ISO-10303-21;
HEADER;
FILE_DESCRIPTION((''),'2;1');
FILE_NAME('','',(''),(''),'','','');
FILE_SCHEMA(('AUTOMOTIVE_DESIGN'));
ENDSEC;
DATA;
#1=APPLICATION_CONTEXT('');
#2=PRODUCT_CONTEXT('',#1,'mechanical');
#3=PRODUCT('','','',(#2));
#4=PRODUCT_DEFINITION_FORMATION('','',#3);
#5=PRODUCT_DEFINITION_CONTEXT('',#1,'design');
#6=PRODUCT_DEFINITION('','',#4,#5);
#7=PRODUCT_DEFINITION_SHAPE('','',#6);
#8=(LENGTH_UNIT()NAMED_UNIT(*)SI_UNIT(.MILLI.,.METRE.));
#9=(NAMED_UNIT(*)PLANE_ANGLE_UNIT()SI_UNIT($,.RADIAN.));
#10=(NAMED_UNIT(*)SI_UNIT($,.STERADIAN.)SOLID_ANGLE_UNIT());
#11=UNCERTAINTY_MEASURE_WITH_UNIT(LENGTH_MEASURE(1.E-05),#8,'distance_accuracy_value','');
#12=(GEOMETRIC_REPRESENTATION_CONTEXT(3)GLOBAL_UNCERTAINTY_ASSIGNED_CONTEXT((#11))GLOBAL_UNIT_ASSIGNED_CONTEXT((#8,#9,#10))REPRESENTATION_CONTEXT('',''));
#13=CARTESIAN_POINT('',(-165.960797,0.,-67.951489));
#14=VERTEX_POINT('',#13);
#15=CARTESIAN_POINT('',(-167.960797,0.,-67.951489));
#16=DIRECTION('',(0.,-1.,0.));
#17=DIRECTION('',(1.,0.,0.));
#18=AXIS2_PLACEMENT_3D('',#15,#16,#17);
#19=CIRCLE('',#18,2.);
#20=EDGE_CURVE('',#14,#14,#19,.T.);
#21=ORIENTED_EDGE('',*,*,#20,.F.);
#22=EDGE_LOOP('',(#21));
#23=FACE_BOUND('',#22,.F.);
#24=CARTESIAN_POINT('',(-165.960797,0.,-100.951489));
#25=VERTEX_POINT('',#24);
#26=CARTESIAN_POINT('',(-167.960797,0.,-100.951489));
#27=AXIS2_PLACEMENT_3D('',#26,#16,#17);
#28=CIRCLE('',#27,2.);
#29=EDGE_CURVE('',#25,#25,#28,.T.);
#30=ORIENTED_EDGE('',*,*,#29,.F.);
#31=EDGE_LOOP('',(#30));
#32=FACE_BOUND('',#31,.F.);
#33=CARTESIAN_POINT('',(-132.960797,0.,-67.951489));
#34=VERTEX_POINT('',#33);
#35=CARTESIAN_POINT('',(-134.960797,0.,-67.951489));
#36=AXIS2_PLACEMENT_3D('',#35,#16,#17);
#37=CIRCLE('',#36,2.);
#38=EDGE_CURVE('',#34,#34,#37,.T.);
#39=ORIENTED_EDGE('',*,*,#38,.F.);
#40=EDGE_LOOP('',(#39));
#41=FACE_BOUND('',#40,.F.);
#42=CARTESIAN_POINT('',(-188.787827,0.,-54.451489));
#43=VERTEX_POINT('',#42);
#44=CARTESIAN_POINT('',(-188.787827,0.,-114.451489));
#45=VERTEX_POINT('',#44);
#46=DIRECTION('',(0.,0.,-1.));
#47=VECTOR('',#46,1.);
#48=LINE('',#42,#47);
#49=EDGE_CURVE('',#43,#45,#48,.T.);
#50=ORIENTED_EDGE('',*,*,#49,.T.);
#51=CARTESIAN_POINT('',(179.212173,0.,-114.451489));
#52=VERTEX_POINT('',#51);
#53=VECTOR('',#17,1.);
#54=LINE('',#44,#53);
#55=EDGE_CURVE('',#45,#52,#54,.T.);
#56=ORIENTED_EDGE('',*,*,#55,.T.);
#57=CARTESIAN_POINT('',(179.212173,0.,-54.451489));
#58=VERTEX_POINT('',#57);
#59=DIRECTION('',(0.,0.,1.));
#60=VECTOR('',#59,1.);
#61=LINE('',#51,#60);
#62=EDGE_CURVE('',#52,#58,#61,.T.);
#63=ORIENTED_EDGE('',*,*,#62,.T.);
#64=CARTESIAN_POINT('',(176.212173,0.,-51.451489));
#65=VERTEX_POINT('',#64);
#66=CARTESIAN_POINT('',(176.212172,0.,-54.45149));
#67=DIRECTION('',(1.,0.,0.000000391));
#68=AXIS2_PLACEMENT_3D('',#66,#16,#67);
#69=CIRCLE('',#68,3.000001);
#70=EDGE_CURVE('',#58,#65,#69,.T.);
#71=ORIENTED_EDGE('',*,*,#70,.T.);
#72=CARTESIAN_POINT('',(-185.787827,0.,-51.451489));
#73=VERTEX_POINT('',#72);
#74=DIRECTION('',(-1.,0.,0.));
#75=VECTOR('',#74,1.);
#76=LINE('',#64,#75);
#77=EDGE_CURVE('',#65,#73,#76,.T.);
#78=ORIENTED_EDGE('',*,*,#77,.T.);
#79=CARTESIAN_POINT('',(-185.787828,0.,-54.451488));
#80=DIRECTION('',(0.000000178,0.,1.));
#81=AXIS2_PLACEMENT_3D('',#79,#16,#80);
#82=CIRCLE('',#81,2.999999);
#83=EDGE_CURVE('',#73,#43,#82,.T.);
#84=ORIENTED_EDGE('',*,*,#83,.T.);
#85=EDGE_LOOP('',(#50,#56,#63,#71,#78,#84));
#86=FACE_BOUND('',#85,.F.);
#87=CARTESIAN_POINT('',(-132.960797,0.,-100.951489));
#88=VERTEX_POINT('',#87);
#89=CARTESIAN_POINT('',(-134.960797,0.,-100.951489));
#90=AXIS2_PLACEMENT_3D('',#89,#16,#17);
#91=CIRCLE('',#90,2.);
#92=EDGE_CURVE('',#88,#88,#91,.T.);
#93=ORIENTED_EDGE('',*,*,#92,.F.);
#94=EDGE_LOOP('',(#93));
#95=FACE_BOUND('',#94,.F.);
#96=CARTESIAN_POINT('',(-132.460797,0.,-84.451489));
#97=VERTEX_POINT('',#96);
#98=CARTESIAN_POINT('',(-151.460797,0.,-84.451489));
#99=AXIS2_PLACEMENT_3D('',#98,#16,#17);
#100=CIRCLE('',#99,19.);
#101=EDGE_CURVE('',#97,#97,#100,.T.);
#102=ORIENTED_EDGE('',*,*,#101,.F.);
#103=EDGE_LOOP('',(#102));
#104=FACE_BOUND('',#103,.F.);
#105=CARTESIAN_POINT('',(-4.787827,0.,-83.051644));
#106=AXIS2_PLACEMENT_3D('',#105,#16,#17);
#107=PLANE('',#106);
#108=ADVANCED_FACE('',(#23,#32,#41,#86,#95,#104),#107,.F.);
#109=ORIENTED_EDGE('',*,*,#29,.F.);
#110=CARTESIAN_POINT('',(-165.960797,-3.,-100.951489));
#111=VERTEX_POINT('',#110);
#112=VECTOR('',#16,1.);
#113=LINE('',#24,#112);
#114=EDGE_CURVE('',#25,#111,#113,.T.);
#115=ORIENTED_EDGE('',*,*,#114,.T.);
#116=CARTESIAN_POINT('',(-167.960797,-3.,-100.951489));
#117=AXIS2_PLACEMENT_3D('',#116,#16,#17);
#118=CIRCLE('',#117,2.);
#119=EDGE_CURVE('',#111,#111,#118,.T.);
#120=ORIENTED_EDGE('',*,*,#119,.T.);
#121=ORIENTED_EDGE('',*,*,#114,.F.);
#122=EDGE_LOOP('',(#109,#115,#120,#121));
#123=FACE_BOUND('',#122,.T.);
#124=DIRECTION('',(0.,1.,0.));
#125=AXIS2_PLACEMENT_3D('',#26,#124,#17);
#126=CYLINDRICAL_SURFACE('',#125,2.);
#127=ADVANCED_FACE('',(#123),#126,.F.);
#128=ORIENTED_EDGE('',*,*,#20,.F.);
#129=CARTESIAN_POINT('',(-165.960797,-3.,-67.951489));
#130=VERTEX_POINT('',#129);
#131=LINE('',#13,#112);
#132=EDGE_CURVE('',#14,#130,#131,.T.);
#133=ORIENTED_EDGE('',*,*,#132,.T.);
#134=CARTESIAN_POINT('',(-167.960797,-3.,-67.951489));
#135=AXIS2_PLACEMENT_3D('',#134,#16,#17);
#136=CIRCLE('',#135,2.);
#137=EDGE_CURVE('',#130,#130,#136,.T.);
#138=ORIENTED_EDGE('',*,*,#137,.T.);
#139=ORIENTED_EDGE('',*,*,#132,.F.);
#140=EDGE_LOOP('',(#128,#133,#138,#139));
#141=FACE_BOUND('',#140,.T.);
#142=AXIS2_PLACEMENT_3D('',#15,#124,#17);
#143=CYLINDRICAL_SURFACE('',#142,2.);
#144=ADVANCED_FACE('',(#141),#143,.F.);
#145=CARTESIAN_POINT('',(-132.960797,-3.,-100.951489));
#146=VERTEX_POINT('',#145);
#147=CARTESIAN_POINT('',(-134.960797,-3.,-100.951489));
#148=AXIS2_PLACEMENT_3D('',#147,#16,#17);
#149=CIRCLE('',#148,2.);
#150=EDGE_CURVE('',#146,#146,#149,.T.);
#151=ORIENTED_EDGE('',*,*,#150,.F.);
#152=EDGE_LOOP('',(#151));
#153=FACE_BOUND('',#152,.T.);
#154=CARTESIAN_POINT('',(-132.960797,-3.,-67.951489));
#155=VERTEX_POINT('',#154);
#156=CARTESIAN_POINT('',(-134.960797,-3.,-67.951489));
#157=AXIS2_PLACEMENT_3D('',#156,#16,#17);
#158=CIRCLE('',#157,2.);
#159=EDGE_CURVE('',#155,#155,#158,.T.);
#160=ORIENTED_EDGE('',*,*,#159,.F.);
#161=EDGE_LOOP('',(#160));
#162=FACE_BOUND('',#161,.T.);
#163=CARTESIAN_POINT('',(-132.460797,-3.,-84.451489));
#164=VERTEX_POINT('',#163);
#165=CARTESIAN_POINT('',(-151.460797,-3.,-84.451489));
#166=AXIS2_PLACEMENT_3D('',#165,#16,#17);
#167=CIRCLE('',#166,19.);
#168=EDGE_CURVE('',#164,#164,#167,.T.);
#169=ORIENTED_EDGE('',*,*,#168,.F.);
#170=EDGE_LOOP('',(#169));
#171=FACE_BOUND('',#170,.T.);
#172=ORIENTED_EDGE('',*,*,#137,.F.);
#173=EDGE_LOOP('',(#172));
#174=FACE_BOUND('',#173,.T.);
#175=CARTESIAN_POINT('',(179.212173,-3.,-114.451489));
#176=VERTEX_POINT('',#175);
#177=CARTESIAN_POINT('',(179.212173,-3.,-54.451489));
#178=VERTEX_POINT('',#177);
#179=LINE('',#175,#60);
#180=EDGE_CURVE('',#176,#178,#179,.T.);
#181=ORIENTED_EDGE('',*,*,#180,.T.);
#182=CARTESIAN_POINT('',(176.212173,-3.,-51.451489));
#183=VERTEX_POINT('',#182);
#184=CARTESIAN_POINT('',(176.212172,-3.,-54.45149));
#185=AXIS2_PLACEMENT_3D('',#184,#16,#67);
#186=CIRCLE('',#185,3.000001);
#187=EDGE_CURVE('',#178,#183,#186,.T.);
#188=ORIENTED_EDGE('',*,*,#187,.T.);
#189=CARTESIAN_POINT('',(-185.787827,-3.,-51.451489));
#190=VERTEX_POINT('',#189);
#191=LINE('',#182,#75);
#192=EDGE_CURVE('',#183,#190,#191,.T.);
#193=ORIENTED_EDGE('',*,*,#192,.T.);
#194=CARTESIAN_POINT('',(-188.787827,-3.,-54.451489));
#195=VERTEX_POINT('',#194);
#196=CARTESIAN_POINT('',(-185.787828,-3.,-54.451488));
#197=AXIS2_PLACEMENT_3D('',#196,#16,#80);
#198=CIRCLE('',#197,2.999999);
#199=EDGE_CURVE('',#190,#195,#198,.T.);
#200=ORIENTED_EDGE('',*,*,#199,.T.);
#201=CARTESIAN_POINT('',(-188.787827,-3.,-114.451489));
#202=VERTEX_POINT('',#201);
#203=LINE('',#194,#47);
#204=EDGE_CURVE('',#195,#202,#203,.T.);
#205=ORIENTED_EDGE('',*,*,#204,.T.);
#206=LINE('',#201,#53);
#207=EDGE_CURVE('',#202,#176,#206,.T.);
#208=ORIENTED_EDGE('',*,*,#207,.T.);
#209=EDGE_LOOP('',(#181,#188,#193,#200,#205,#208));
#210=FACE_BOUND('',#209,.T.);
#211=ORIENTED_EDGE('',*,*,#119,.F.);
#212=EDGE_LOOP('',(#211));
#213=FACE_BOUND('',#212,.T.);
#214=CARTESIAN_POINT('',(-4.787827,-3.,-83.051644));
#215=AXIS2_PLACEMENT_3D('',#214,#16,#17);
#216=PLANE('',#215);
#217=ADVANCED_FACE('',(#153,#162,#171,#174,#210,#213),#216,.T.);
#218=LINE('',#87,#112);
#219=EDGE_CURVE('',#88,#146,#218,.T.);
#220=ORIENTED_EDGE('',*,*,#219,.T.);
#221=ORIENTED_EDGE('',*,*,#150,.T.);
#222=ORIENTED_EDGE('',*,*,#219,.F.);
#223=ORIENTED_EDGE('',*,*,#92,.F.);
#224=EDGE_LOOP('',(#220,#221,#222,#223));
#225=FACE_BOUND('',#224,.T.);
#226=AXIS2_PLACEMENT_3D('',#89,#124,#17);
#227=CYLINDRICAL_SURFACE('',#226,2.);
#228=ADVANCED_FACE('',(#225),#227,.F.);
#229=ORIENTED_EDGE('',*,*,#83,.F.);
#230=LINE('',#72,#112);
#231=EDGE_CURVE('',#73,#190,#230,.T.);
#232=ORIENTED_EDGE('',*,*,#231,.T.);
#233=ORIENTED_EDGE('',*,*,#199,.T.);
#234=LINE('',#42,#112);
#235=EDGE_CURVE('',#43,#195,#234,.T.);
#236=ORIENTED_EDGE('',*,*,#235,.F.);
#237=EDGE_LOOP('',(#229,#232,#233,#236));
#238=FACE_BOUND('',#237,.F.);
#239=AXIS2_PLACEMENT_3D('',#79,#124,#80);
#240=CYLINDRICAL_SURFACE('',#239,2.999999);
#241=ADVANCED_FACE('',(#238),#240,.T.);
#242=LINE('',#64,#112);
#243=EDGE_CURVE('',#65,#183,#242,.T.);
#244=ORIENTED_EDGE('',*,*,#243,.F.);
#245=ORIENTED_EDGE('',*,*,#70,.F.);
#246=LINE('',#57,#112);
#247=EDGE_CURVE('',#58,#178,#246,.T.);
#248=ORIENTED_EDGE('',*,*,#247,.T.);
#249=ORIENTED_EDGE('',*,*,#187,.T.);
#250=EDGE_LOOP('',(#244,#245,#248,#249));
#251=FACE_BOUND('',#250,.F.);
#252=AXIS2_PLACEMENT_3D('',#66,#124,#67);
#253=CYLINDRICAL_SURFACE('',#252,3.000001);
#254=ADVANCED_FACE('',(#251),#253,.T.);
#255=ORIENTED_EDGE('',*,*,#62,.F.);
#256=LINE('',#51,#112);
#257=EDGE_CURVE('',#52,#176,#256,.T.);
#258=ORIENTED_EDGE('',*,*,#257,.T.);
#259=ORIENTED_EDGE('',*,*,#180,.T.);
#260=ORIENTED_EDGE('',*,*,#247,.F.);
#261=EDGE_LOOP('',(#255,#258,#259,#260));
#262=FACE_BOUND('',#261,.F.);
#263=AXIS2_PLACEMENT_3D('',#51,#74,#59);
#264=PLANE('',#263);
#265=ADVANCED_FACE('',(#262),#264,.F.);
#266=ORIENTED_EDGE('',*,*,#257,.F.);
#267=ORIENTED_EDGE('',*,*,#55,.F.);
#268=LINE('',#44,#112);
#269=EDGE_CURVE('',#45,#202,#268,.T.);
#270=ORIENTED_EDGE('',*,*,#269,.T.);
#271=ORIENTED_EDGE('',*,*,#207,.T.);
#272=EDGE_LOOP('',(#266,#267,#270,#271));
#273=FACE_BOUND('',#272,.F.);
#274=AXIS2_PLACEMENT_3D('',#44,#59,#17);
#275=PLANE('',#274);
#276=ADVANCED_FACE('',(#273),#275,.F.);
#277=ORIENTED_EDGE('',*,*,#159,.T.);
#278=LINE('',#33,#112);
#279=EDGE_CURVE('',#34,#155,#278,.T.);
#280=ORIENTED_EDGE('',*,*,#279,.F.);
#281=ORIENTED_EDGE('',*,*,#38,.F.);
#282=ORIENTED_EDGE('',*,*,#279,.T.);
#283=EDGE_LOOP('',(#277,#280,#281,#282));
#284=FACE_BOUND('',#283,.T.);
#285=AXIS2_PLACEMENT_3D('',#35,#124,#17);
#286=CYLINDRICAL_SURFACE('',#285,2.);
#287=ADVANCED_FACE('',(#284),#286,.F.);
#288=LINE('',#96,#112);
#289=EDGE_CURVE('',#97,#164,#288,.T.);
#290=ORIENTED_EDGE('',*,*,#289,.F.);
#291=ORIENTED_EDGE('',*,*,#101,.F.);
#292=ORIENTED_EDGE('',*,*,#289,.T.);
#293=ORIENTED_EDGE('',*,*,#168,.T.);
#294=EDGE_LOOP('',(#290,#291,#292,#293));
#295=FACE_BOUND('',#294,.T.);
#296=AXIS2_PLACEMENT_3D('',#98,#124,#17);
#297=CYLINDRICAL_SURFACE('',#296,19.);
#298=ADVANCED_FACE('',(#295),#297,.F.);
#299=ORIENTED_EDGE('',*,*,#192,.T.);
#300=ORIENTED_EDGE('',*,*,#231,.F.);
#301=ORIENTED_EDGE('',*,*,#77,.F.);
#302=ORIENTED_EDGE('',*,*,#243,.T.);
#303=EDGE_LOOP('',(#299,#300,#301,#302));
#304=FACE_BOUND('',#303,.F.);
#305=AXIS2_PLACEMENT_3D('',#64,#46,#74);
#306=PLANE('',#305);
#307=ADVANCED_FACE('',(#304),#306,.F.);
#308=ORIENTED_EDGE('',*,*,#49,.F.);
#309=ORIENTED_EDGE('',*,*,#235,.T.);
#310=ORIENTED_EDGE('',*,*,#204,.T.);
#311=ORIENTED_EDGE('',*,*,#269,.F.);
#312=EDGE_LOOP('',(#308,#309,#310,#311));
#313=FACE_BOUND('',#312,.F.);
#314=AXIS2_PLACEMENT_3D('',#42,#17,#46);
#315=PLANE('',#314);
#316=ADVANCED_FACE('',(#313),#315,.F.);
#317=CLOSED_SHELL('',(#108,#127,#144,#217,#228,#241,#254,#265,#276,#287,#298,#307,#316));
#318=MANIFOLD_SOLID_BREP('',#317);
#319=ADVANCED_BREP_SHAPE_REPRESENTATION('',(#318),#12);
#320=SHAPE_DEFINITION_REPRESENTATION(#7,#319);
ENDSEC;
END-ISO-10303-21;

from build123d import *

# Parameters (mm, degrees)
F0_R     = 2
F0_R_2   = 19
F1_DEPTH = 3


with BuildPart() as f1:
    # F0 (on Front) → F1 (new body)
    with BuildSketch(Plane.XZ):
        with BuildLine():
            Line((176.212173, -51.451489), (-185.787827, -51.451489))
            ThreePointArc((-185.787827, -51.451489), (-187.909148, -52.330169), (-188.787827, -54.451489))
            Line((-188.787827, -54.451489), (-188.787827, -114.451489))
            Line((-188.787827, -114.451489), (179.212173, -114.451489))
            Line((179.212173, -114.451489), (179.212173, -54.451489))
            ThreePointArc((179.212173, -54.451489), (178.333493, -52.330169), (176.212173, -51.451489))
        make_face()
        with Locations((-167.960797, -100.951489)):
            Circle(F0_R, mode=Mode.SUBTRACT)
        with Locations((-134.960797, -100.951489)):
            Circle(F0_R, mode=Mode.SUBTRACT)
        with Locations((-151.460797, -84.451489)):
            Circle(F0_R_2, mode=Mode.SUBTRACT)
        with Locations((-167.960797, -67.951489)):
            Circle(F0_R, mode=Mode.SUBTRACT)
        with Locations((-134.960797, -67.951489)):
            Circle(F0_R, mode=Mode.SUBTRACT)
    extrude(amount=F1_DEPTH)


solid = f1.part
